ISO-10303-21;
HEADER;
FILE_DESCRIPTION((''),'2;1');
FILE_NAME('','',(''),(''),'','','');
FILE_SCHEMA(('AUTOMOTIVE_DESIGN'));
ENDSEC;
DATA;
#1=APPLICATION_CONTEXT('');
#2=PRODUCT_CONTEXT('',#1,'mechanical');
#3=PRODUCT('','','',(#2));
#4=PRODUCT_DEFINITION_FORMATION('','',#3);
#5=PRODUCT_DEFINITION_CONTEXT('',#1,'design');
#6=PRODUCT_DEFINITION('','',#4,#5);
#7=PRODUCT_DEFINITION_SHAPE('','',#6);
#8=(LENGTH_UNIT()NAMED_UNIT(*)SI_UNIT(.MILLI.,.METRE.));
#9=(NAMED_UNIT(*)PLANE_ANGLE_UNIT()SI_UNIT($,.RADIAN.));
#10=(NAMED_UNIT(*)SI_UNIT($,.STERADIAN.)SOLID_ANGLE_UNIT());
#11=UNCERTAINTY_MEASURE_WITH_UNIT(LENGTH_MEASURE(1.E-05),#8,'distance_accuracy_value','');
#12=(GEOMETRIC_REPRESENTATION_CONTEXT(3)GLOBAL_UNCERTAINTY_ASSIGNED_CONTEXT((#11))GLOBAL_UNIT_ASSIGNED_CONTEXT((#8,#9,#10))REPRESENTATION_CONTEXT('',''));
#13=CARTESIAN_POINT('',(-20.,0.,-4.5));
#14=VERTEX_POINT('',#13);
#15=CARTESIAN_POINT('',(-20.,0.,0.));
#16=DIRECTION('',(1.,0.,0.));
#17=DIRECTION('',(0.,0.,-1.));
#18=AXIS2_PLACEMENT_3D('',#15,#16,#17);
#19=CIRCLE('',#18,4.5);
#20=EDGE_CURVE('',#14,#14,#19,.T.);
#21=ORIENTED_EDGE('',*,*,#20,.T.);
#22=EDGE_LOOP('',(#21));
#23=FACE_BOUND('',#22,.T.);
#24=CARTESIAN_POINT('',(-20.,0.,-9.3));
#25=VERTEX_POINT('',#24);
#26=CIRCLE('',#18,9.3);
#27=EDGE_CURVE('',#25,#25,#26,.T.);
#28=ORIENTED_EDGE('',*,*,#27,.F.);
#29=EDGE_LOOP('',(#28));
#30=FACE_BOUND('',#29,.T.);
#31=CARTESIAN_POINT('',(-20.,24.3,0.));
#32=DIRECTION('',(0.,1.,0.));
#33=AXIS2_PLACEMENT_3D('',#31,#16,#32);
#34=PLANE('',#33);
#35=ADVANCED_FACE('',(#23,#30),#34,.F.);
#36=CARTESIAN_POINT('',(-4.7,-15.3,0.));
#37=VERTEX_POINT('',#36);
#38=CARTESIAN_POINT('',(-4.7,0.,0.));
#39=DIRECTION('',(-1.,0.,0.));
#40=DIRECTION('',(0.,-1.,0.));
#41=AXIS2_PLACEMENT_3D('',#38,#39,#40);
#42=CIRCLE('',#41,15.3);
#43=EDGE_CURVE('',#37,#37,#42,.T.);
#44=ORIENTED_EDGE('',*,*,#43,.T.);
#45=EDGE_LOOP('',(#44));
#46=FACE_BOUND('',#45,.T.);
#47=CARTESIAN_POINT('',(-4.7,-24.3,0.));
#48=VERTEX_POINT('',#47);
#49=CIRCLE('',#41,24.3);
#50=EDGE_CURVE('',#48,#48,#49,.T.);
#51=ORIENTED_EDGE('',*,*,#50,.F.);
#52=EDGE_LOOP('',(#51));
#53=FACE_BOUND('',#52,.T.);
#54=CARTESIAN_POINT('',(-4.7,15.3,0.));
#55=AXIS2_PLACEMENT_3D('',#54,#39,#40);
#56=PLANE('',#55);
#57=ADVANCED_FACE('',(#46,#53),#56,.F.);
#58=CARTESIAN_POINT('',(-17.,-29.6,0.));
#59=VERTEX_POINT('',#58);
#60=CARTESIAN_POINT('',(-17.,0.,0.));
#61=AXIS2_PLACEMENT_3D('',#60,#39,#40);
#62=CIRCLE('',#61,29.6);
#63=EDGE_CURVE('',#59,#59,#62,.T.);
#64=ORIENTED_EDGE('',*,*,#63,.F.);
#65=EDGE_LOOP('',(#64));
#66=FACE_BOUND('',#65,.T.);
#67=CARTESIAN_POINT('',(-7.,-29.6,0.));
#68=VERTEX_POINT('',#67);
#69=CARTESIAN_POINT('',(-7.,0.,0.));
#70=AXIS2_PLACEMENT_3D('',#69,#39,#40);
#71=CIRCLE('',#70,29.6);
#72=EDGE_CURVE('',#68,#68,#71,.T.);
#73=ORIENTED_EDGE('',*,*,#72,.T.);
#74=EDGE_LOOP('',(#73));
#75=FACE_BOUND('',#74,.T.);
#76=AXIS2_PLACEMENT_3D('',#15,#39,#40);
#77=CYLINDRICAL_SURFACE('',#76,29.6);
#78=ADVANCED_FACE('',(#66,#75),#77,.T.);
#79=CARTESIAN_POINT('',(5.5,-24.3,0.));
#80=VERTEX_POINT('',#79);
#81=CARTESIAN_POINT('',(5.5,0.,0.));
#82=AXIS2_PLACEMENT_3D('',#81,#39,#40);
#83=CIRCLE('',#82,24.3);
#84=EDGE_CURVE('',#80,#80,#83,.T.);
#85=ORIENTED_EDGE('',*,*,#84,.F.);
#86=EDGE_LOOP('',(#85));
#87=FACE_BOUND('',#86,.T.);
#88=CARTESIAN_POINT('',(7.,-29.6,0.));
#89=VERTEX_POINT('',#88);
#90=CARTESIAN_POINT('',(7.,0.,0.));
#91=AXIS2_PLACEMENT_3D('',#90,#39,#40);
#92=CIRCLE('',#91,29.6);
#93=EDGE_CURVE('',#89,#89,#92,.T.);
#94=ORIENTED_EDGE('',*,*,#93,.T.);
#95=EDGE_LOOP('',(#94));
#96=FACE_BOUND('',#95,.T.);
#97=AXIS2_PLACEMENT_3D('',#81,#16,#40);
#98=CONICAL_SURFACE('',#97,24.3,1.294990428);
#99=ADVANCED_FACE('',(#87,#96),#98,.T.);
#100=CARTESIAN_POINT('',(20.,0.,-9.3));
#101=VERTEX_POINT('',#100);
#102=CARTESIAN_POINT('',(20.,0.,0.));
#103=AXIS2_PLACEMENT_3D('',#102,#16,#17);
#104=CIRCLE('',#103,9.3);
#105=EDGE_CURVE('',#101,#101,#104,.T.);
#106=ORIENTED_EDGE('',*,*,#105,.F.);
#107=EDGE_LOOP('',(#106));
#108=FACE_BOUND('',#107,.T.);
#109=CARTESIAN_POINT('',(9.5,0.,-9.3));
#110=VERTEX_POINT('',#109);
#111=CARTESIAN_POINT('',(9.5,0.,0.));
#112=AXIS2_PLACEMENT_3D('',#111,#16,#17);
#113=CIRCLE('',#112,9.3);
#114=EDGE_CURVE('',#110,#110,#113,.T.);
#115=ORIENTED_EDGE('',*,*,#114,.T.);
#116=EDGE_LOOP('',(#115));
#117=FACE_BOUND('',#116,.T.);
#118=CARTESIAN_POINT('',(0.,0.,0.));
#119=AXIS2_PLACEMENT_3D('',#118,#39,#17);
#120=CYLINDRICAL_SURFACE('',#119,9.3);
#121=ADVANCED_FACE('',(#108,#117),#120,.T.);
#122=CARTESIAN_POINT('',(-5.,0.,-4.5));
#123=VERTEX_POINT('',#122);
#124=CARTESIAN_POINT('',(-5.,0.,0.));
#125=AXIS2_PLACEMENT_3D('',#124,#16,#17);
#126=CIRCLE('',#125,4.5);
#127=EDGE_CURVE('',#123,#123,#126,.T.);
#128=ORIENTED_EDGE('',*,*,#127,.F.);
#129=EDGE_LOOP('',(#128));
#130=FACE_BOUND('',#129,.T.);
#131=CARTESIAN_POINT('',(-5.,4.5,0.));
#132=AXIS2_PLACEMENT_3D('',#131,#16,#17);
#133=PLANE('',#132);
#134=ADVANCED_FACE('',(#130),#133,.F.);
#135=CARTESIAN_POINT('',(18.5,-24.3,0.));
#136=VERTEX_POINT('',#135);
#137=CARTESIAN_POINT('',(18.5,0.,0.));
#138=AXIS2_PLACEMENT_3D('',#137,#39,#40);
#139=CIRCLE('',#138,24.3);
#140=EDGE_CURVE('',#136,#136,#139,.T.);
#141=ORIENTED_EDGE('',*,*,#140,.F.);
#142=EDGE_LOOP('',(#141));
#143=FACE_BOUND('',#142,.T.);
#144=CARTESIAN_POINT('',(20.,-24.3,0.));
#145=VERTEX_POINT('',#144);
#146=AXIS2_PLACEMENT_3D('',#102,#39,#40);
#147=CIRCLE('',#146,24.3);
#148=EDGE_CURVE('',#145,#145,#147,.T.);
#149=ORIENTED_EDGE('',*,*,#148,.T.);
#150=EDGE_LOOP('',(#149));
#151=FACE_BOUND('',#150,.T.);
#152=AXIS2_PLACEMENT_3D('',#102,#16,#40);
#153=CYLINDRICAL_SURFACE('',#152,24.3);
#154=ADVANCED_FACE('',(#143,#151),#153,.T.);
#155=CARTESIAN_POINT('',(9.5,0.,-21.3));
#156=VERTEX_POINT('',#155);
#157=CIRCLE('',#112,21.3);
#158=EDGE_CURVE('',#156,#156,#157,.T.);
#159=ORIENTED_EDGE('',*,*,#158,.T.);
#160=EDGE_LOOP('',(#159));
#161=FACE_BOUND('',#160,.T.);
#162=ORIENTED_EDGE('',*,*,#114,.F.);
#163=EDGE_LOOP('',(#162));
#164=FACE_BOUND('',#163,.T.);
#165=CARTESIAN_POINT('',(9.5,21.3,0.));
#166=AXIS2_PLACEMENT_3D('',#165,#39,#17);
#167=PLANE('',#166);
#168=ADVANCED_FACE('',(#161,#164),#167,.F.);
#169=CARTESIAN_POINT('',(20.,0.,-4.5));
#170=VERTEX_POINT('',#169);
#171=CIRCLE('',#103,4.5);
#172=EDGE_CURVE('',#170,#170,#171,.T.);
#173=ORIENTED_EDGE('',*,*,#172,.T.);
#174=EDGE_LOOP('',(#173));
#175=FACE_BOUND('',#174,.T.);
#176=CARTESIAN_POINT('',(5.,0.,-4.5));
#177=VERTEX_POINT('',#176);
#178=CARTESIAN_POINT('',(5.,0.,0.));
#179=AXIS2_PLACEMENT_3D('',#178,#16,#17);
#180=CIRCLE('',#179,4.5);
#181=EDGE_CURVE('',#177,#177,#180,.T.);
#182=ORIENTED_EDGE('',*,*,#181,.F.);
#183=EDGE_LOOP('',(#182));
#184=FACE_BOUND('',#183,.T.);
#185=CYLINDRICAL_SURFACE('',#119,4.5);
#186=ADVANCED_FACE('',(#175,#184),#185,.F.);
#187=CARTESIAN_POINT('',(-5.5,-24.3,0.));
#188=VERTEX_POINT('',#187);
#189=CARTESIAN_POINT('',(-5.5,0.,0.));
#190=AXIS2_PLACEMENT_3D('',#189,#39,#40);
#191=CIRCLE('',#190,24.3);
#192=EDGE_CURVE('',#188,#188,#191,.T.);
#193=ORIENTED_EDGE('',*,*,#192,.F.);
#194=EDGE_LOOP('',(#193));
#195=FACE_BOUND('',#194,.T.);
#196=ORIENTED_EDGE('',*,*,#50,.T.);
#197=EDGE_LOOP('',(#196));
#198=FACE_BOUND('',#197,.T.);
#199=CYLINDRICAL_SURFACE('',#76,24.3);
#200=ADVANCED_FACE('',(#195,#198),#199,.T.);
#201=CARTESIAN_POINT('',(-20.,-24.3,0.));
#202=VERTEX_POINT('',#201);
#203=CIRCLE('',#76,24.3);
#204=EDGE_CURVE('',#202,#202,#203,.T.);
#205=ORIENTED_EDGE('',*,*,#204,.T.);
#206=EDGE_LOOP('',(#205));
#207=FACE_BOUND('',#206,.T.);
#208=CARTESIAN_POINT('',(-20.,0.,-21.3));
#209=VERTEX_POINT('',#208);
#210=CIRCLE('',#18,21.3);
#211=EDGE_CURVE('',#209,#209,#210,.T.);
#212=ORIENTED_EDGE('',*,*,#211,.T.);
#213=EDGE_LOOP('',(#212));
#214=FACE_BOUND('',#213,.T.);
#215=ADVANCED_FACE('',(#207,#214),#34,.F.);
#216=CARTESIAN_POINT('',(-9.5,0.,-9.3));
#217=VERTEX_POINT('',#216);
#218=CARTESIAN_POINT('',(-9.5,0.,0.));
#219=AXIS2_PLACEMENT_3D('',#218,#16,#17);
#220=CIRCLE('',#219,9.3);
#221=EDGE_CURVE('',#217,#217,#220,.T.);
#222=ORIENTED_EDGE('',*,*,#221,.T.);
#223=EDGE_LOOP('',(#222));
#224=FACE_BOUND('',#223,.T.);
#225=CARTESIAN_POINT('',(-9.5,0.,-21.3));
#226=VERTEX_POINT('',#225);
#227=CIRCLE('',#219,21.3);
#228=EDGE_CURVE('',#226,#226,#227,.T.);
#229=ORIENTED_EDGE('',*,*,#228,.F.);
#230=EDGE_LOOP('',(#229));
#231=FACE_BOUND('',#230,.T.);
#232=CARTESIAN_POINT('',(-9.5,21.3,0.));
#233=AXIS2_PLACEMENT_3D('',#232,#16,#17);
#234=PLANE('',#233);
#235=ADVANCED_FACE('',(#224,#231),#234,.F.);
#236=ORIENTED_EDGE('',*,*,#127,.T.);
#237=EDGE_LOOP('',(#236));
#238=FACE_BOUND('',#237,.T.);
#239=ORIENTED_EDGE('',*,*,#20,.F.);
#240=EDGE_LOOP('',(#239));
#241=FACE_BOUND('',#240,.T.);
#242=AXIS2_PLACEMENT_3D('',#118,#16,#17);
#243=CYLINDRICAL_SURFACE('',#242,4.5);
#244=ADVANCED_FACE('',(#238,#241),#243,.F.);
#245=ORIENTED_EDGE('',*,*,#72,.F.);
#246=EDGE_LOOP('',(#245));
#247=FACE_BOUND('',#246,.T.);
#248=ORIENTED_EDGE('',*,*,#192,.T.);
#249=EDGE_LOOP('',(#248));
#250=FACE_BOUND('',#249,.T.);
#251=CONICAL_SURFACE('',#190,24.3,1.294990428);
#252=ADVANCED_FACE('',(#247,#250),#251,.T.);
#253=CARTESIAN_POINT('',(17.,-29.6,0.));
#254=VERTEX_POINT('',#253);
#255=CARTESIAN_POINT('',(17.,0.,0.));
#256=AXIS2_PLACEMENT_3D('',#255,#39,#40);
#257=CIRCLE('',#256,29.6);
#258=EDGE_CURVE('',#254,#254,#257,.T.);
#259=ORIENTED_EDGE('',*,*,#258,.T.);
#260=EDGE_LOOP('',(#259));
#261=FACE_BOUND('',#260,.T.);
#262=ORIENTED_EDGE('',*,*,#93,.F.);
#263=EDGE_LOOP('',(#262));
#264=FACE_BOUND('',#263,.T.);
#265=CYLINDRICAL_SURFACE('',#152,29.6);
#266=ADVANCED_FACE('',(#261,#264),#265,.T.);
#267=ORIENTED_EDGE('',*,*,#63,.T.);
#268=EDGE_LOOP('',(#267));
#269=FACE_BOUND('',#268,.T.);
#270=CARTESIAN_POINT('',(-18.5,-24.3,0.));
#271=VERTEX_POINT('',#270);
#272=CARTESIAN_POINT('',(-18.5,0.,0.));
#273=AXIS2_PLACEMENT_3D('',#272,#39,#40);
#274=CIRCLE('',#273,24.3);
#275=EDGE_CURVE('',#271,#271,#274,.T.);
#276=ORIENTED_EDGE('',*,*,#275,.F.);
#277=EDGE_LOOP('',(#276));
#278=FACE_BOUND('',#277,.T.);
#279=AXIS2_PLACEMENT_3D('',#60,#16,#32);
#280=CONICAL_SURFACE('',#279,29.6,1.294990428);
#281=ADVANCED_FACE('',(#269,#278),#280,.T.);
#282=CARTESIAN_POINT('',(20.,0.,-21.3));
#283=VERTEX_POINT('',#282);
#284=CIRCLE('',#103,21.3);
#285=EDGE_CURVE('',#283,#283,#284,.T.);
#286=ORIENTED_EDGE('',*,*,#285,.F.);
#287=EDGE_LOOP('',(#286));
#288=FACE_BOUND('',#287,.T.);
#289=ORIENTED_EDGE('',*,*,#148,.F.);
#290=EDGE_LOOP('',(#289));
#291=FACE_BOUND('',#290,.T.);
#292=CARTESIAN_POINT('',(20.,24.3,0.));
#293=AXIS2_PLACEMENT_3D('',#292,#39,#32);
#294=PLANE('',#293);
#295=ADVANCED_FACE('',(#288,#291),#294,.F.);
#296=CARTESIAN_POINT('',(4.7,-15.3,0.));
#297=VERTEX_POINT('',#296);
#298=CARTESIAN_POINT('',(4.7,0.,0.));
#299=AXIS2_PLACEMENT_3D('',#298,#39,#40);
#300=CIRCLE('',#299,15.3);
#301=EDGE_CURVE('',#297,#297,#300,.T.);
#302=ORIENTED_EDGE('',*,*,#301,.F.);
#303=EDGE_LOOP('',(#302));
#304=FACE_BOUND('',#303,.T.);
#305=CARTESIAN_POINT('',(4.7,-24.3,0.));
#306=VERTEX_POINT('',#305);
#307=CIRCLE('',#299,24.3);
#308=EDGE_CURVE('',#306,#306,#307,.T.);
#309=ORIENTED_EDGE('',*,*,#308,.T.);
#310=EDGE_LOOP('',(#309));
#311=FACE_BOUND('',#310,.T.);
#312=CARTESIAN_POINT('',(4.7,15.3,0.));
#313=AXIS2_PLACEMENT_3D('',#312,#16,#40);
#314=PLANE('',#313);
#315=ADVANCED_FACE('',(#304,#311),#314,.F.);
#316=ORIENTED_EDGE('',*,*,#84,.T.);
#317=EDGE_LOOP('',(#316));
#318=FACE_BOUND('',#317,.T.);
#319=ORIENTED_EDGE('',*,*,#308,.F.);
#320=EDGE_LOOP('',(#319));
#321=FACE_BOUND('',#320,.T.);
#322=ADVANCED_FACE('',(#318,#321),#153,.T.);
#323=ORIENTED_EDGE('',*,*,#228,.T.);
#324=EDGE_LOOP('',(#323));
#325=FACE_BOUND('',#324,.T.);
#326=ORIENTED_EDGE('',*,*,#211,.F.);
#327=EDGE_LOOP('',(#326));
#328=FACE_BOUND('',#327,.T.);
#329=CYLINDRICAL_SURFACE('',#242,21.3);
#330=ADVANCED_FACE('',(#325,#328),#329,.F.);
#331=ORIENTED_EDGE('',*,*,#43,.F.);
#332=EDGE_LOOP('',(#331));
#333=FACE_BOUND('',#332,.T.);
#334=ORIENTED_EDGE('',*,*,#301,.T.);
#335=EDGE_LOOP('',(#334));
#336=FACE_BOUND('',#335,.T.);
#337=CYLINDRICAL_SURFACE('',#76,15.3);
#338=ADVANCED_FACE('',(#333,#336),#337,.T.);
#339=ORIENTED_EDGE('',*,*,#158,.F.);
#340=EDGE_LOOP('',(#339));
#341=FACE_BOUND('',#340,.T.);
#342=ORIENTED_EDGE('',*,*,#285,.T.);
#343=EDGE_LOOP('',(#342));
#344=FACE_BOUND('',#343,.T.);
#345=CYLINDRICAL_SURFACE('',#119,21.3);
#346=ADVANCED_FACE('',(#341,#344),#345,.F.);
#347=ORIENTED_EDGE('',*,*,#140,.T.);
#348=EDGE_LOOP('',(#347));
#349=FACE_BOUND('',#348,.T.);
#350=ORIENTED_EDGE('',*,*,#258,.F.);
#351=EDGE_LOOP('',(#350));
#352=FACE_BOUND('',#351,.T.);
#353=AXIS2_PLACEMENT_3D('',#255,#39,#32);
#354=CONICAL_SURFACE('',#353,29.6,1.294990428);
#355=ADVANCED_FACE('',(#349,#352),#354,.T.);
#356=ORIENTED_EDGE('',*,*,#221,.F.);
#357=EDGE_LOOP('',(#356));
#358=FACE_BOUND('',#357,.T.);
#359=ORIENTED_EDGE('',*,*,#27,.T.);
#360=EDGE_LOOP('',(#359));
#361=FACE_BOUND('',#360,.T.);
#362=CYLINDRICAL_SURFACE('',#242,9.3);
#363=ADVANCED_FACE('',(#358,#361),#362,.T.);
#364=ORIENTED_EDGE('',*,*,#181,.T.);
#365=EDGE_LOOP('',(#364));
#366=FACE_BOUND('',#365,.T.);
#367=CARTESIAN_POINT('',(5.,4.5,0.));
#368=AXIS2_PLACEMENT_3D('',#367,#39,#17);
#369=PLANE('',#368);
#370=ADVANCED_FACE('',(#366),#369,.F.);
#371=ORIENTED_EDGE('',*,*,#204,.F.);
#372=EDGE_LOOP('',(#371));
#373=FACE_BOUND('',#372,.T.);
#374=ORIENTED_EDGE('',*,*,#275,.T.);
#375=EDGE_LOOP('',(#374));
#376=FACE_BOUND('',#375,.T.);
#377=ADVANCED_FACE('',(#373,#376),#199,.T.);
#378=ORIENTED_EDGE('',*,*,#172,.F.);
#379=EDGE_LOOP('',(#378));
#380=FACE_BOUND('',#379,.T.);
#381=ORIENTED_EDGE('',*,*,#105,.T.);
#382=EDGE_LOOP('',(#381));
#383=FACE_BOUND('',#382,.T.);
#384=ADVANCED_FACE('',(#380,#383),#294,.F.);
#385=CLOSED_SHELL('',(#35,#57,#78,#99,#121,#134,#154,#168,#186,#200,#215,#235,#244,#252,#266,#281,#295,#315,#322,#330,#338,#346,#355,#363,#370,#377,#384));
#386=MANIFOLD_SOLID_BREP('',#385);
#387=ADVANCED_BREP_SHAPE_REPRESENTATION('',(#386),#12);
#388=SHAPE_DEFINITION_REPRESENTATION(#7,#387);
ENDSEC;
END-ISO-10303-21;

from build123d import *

# Parameters (mm, degrees)
SKETCH2_W   = 10.5
SKETCH2_H   = 12
SKETCH2_W_2 = 15
SKETCH2_H_2 = 4.5


with BuildPart() as part:
    # Sketch1 → Revolve1 (revolve)
    with BuildSketch(Plane.XY):
        Polygon((0, 0), (0, 15.3), (-4.7, 15.3), (-4.7, 24.3), (-5.5, 24.3), (-7, 29.6), (-17, 29.6), (-18.5, 24.3), (-20, 24.3), (-20, 0), align=None)
    revolve1 = revolve(axis=Axis((-20, 0, 0), (1, 0, 0)))

    # Sketch2 → Cut-Revolve1 (revolve, cut)
    with BuildSketch(Plane.XY):
        with Locations((-14.75, 15.3)):
            Rectangle(SKETCH2_W, SKETCH2_H)
        with Locations((-12.5, 2.25)):
            Rectangle(SKETCH2_W_2, SKETCH2_H_2)
    cut_revolve1 = revolve(axis=Axis((0, 0, 0), (-1, 0, 0)), mode=Mode.SUBTRACT)

    # Mirror1: Revolve1, Cut-Revolve1 across plane
    add(revolve1.mirror(Plane.ZY))
    add(cut_revolve1.mirror(Plane.ZY), mode=Mode.SUBTRACT)


solid = part.part
